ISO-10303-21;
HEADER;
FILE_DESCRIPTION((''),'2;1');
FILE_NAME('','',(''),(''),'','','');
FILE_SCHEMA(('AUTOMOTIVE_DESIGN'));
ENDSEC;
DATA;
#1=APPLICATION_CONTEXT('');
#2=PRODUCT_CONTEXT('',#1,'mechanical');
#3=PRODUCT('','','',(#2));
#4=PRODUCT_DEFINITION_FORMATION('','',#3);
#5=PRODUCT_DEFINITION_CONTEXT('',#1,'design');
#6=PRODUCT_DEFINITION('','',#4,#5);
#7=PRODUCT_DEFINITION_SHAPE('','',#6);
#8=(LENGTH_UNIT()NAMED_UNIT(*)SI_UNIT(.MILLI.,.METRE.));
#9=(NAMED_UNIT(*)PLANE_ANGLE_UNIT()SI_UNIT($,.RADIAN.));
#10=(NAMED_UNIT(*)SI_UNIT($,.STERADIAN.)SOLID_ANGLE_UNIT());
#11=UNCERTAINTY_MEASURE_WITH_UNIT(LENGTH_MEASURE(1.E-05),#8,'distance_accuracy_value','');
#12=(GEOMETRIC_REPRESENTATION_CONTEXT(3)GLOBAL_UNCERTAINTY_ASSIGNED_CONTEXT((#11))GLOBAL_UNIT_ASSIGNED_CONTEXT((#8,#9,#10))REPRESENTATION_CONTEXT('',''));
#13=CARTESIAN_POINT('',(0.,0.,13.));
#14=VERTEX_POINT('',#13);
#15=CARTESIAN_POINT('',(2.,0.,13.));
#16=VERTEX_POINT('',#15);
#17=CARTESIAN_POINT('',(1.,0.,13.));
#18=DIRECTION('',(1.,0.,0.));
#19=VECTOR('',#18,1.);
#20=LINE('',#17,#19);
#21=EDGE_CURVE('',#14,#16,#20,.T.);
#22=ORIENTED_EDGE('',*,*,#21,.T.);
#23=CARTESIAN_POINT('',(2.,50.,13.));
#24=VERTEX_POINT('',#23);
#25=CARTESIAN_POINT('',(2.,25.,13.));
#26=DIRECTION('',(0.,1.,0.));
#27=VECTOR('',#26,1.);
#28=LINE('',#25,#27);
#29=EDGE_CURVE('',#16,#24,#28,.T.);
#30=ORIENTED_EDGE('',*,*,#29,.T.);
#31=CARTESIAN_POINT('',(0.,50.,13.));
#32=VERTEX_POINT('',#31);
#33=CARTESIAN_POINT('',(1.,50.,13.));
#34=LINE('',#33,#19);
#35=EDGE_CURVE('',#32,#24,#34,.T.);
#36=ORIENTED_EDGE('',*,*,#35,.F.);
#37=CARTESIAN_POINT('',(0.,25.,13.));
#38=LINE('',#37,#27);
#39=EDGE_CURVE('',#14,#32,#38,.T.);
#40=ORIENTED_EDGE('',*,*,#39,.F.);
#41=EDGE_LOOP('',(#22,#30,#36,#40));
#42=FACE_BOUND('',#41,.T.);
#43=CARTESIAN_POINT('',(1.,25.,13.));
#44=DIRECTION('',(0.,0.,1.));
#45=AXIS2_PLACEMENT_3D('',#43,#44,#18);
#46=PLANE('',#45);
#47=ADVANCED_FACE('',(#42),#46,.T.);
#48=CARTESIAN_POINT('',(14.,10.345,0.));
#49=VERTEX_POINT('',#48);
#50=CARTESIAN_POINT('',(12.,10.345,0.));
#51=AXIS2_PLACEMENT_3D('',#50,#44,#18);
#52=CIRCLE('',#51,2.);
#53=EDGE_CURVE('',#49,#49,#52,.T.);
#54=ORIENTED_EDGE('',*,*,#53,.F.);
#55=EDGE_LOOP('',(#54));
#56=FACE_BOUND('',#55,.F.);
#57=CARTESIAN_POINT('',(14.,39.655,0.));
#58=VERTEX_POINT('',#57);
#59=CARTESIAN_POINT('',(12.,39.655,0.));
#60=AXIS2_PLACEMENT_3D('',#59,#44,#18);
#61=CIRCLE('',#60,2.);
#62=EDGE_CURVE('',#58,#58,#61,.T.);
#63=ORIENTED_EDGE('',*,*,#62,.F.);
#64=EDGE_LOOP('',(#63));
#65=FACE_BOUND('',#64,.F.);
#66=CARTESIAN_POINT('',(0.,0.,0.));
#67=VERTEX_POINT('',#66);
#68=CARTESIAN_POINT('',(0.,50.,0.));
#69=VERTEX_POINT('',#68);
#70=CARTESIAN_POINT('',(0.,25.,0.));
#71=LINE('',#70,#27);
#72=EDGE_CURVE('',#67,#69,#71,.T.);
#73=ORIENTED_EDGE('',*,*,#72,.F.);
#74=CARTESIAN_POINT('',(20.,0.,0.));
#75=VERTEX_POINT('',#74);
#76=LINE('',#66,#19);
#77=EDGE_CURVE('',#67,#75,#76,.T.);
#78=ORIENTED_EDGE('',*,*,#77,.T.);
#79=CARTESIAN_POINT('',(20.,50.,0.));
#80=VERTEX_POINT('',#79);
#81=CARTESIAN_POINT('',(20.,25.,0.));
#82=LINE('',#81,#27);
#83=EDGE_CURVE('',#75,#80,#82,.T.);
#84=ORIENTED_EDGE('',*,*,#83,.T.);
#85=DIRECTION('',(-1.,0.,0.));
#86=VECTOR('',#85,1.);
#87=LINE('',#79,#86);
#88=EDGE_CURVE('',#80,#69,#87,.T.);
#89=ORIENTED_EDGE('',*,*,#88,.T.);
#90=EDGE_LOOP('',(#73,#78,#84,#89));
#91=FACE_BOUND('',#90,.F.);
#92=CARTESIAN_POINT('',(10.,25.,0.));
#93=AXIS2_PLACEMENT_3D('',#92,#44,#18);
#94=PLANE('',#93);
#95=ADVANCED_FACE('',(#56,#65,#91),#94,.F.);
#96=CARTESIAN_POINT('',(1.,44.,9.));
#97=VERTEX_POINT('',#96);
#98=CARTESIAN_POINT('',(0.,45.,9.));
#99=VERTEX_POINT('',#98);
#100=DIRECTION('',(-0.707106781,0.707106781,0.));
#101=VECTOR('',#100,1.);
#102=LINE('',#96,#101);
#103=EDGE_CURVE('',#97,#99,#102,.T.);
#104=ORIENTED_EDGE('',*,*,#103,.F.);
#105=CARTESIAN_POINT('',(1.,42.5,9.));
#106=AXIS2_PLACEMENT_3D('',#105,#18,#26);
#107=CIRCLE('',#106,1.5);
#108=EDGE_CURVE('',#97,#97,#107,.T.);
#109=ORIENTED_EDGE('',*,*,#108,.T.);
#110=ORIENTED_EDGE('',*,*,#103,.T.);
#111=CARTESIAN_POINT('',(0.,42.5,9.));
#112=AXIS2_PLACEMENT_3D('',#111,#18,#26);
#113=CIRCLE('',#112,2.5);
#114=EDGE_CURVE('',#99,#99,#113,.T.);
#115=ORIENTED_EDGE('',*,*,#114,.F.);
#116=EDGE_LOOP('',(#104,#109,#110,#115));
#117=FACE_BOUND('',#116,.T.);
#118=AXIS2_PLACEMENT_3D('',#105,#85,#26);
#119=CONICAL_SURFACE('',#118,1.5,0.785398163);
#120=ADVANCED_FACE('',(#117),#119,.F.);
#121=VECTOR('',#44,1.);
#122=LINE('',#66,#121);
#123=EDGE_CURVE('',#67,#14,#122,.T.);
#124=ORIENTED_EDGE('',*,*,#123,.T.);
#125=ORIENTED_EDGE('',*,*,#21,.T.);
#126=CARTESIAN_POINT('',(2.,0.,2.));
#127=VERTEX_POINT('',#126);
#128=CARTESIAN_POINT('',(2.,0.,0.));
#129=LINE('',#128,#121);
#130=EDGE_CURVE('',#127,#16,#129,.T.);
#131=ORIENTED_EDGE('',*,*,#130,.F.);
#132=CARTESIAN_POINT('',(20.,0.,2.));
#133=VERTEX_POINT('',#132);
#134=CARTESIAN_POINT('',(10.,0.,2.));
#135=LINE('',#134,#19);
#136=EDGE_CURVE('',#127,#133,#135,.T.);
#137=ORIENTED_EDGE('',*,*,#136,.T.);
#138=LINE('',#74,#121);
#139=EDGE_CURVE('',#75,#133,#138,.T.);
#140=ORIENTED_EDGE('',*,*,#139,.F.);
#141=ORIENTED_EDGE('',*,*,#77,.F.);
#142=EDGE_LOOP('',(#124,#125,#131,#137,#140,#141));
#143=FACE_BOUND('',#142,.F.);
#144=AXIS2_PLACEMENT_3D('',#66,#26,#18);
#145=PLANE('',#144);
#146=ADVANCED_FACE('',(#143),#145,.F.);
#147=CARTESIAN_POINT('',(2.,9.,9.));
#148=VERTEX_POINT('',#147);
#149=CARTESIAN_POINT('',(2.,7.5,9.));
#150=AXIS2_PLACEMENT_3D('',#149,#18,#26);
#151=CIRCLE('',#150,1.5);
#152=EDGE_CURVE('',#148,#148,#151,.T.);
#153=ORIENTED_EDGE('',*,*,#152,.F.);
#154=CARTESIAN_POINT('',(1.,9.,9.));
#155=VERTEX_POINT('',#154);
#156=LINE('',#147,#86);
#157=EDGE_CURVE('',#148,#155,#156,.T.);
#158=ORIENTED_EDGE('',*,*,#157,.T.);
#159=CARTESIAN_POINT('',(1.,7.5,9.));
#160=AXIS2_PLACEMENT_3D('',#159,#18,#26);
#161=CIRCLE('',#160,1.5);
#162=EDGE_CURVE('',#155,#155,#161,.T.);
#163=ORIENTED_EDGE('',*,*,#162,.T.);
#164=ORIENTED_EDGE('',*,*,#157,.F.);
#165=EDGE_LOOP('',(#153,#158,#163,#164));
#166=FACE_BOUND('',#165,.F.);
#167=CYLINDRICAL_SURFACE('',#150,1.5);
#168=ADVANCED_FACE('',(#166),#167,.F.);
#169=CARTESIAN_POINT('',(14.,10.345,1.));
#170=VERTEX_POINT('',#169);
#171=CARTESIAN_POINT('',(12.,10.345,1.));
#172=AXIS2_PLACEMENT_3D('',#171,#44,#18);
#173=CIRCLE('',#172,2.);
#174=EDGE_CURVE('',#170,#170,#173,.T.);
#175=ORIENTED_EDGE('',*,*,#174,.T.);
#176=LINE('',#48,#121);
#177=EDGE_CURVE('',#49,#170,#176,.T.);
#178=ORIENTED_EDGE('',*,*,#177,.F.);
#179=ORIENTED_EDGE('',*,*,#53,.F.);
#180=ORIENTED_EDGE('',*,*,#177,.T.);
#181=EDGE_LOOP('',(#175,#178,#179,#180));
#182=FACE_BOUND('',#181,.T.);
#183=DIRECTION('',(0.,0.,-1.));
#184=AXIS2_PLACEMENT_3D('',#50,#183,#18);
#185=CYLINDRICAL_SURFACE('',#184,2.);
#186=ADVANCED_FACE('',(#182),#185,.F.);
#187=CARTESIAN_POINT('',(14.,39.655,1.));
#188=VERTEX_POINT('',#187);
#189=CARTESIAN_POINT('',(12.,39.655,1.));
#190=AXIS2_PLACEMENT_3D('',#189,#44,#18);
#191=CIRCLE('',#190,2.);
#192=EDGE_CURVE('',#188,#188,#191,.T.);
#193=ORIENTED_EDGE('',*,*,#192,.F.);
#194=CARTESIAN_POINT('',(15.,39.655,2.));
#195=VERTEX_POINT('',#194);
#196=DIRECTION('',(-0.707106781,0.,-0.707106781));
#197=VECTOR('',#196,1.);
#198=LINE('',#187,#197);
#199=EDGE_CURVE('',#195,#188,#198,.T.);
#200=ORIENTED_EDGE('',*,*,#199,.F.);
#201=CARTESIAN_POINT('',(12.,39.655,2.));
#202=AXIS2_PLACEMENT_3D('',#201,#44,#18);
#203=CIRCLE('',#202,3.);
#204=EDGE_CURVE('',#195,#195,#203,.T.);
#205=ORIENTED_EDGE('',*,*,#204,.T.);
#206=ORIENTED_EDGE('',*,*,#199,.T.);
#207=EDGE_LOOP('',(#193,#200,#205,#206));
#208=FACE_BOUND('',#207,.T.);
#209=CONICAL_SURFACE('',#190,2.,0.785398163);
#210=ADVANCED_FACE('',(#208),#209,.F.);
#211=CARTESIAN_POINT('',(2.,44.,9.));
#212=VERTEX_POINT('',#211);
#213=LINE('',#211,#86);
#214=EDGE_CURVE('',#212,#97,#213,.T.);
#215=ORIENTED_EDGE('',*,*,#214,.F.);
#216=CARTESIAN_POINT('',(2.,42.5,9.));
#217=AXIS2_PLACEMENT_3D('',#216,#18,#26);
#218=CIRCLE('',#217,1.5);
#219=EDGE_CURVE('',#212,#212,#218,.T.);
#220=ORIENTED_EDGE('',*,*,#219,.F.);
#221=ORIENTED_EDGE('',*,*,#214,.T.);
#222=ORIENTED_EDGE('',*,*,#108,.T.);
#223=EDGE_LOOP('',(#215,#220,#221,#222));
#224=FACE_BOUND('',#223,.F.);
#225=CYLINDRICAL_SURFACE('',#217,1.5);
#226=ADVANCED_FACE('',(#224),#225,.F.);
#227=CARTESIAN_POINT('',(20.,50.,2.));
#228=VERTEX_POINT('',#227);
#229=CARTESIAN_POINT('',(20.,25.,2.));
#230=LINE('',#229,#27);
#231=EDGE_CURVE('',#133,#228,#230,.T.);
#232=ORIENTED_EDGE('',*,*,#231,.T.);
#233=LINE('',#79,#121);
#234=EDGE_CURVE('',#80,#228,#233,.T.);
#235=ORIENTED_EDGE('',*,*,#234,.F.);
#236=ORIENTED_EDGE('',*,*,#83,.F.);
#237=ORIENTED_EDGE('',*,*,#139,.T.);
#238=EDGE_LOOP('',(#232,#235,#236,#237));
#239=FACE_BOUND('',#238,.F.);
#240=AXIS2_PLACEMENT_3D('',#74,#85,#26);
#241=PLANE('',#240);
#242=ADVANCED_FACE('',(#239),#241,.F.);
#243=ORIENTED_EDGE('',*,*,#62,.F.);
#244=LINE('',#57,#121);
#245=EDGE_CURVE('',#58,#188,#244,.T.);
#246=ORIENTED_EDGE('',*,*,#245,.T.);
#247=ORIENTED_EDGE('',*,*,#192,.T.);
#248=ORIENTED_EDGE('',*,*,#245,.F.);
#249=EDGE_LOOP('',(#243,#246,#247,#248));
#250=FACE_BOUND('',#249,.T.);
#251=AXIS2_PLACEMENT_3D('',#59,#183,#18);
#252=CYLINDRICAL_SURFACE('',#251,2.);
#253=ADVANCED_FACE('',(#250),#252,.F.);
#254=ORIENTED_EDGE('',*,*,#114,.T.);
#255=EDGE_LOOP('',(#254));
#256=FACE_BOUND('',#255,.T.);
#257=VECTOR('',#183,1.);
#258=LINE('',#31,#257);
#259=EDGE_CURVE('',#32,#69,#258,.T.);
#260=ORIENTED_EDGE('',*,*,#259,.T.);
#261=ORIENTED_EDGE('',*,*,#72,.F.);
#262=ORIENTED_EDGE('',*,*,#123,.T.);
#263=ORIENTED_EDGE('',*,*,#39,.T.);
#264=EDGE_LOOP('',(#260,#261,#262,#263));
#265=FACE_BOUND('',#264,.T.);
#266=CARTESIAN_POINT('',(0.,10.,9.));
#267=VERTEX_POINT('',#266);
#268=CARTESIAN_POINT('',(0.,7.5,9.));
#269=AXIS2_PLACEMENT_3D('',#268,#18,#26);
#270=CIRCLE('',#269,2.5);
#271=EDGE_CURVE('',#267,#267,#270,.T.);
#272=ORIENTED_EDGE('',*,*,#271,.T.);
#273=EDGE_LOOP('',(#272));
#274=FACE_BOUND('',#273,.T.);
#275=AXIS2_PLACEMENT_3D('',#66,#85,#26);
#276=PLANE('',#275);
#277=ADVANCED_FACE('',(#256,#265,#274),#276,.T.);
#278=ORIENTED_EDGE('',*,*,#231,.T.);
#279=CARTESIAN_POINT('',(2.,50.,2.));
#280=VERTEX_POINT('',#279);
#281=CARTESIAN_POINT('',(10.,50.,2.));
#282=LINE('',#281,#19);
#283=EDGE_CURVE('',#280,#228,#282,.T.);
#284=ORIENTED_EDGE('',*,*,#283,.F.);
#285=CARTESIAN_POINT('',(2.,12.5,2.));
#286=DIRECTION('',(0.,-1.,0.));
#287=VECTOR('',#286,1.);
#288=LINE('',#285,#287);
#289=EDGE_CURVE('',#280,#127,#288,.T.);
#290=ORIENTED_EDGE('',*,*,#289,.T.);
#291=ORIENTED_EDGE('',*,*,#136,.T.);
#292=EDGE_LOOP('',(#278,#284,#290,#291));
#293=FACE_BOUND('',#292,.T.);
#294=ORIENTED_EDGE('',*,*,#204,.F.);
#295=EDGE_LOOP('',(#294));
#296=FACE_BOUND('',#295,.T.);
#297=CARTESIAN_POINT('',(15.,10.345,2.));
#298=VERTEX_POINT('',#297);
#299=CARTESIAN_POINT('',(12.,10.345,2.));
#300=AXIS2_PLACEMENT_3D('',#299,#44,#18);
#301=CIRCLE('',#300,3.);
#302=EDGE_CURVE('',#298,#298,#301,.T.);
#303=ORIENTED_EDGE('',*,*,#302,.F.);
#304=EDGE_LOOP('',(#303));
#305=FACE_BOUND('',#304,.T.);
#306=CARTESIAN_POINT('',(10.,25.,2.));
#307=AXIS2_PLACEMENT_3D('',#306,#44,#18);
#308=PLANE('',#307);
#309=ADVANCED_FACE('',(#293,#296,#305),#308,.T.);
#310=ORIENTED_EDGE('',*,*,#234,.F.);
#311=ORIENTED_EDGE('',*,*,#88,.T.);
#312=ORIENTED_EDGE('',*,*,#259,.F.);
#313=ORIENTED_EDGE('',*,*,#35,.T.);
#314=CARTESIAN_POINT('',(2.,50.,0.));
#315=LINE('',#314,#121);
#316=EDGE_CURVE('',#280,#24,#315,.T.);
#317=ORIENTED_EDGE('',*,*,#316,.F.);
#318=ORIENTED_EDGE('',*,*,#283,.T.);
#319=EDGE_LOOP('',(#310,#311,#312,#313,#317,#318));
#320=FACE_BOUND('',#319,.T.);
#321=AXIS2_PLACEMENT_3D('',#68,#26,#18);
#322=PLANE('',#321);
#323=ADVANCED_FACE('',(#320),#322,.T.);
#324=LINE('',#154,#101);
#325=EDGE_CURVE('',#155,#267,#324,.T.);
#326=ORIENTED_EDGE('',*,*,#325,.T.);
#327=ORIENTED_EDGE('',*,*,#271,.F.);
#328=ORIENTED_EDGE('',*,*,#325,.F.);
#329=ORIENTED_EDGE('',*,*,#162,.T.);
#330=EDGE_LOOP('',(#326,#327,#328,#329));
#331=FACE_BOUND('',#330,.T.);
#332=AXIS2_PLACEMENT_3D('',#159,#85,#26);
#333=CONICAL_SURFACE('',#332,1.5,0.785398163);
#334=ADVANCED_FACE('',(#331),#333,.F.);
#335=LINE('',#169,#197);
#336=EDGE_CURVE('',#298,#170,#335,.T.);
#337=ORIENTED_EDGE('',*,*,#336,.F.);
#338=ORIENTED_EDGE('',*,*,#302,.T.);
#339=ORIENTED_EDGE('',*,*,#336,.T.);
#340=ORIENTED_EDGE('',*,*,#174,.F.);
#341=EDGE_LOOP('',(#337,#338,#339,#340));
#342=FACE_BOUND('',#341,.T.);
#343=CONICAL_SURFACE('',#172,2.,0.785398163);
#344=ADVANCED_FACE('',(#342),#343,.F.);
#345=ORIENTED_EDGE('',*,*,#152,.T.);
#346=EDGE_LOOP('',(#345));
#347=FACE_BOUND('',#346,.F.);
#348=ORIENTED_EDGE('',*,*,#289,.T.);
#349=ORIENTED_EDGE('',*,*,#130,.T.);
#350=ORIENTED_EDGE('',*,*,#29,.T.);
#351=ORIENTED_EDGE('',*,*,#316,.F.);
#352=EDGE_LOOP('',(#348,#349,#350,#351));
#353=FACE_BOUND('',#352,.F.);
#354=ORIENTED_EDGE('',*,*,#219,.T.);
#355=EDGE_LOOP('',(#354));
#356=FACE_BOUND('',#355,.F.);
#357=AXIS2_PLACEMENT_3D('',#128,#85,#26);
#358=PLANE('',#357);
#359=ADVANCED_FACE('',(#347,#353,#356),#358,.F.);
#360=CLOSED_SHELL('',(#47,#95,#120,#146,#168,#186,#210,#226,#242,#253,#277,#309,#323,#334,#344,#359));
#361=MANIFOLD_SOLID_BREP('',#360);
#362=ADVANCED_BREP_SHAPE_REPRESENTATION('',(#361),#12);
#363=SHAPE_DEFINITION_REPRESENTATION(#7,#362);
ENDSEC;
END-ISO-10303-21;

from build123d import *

# Parameters (mm, degrees)
SKETCH_W        = 20
SKETCH_H        = 50
SKETCH_R        = 2
PAD_DEPTH       = 2
SKETCH001_W     = 2
SKETCH001_H     = 50
PAD001_DEPTH    = 13
SKETCH002_R     = 1.5
POCKET_DEPTH    = 10
CHAMFER_SIZE    = 1
CHAMFER001_SIZE = 1


with BuildPart() as part:
    # Sketch → Pad (new body)
    with BuildSketch(Plane.XY):
        with Locations((10, 25)):
            Rectangle(SKETCH_W, SKETCH_H)
        with Locations((12, 39.655)):
            Circle(SKETCH_R, mode=Mode.SUBTRACT)
        with Locations((12, 10.345)):
            Circle(SKETCH_R, mode=Mode.SUBTRACT)
    extrude(amount=PAD_DEPTH)

    # Sketch001 → Pad001 (join)
    with BuildSketch(Plane.XY):
        with Locations((1, 25)):
            Rectangle(SKETCH001_W, SKETCH001_H)
    extrude(amount=PAD001_DEPTH)

    # Sketch002 (on Face10 of Pad001) → Pocket (cut)
    with BuildSketch(Plane.YZ.offset(2)):
        with Locations((7.5, 9)):
            Circle(SKETCH002_R)
        with Locations((42.5, 9)):
            Circle(SKETCH002_R)
    extrude(amount=-POCKET_DEPTH, mode=Mode.SUBTRACT)

    # Chamfer
    chamfer_edges = [part.edges().sort_by_distance(p)[0] for p in [
        (10, 39.655, 2),
        (10, 10.345, 2),
    ]]
    chamfer(chamfer_edges, length=CHAMFER_SIZE)

    # Chamfer001
    chamfer001_edges = [part.edges().sort_by_distance(p)[0] for p in [
        (0, 41, 9),
        (0, 6, 9),
    ]]
    chamfer(chamfer001_edges, length=CHAMFER001_SIZE)


solid = part.part
